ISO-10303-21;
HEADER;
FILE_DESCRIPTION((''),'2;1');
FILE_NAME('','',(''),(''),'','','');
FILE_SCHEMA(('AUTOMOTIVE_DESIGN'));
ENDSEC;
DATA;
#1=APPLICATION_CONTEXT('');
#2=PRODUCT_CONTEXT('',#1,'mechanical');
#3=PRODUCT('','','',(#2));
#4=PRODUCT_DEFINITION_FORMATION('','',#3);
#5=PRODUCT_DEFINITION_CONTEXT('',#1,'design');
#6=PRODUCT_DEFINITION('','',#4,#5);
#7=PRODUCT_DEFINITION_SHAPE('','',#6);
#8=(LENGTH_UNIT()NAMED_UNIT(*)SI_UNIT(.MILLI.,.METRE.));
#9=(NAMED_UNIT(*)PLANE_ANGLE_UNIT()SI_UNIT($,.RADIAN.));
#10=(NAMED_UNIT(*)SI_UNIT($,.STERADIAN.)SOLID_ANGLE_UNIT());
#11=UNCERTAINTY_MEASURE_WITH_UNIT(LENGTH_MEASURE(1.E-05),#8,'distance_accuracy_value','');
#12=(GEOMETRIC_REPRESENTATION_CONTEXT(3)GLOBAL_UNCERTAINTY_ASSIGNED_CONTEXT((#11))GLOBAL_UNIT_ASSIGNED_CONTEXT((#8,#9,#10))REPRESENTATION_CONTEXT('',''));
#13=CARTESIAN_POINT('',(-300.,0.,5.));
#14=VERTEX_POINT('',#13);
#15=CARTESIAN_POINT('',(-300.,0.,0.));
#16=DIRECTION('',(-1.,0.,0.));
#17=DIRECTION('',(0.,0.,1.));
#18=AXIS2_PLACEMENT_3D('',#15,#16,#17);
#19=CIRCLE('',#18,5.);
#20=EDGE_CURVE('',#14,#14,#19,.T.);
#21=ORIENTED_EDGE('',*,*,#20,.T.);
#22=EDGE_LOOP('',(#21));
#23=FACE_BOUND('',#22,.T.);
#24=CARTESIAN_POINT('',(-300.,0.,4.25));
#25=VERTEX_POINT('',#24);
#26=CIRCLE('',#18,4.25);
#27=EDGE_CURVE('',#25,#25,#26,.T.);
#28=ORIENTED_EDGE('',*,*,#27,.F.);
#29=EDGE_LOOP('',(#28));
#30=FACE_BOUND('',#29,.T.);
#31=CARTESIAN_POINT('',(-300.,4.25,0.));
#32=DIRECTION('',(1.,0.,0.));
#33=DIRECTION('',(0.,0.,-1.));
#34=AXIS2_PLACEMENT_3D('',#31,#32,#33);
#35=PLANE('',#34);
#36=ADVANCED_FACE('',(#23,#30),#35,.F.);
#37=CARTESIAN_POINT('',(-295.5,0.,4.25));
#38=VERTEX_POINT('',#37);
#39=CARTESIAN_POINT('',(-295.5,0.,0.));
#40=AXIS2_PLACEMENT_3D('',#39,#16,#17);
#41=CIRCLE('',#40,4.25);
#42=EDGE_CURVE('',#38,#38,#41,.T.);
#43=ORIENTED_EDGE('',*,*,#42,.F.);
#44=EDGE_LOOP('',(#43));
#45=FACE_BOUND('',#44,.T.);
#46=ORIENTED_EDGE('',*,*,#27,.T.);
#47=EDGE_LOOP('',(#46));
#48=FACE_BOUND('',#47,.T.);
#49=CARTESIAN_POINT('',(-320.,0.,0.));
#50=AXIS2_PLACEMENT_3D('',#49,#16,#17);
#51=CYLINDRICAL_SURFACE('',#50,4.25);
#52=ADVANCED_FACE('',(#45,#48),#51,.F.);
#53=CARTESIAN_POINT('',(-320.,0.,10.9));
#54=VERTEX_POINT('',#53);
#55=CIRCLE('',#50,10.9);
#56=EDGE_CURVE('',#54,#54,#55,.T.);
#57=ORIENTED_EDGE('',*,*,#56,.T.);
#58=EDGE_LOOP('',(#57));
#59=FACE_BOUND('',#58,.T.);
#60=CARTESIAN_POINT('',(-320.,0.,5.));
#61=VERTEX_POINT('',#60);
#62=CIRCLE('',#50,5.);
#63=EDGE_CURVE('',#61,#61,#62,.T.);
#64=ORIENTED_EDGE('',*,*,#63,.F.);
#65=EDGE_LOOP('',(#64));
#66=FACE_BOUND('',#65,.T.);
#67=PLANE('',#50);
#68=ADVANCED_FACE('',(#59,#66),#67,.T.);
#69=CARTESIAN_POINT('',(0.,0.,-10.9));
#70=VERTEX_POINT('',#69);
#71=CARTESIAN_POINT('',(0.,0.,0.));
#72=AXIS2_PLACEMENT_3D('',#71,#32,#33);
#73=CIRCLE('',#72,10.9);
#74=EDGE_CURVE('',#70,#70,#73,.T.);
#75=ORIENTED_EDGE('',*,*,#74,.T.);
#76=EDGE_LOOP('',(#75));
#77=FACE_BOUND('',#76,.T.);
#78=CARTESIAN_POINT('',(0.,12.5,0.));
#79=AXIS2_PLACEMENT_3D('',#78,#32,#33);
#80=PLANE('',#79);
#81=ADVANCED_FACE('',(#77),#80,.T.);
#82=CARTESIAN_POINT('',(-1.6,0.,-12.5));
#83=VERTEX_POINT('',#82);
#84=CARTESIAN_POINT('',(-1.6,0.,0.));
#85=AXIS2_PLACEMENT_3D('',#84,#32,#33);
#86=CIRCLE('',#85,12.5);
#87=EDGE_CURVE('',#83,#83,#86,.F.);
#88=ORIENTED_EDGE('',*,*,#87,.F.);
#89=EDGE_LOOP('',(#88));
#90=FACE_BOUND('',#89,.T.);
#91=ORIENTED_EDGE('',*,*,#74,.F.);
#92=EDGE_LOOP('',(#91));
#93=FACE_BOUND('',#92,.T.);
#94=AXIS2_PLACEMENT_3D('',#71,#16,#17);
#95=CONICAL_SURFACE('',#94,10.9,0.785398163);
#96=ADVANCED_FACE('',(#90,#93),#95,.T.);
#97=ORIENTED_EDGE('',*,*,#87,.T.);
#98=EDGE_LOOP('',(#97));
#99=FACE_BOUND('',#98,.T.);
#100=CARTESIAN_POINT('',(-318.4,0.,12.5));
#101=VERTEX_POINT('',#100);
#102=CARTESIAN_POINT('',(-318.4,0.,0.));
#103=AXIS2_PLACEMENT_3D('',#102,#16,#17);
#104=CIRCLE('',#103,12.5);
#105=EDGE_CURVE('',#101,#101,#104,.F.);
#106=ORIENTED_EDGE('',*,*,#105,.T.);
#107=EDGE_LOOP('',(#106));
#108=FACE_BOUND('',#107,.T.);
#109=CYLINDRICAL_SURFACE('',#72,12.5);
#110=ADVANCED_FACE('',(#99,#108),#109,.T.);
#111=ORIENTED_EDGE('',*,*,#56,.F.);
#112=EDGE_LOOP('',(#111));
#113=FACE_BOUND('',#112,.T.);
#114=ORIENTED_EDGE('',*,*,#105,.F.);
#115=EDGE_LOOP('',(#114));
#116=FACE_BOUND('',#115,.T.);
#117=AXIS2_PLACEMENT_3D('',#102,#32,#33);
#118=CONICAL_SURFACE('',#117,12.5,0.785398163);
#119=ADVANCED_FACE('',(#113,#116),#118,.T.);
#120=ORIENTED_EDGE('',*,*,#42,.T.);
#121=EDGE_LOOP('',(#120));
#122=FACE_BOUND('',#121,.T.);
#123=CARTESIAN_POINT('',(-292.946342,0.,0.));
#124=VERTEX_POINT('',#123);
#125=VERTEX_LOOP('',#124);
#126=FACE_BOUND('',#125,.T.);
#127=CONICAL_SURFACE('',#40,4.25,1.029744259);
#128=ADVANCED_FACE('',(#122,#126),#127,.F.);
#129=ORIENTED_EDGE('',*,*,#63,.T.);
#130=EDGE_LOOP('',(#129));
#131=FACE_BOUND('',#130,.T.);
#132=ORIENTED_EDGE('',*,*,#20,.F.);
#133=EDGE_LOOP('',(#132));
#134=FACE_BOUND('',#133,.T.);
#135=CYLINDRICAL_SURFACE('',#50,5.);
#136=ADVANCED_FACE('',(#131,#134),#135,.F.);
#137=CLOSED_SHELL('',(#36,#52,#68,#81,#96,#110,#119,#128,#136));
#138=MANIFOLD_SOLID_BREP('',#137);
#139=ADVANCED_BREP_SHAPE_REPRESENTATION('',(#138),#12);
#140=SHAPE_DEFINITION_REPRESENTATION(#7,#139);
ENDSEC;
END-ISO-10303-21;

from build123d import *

# Parameters (mm, degrees)
SKETCH1_W                    = 320
SKETCH1_H                    = 12.5
CHAMFER1_SIZE                = 1.6
M10_TAPPED_HOLE1_D           = 8.5
M10_TAPPED_HOLE1_DEPTH       = 24.5
M10_TAPPED_HOLE1_CBORE_D     = 10
M10_TAPPED_HOLE1_CBORE_DEPTH = 20
M10_TAPPED_HOLE1_TIP         = 2.553657631


with BuildPart() as part:
    # Sketch1 → Revolve1 (revolve)
    with BuildSketch(Plane.XY, mode=Mode.PRIVATE) as revolve1_sk:
        with Locations((-160, 6.25)):
            Rectangle(SKETCH1_W, SKETCH1_H)
    revolve(revolve1_sk.sketch.rotate(Axis((0, 0, 0), (-1, 0, 0)), 90), axis=Axis((0, 0, 0), (-1, 0, 0)))

    # Chamfer1
    chamfer1_edges = [part.edges().sort_by_distance(p)[0] for p in [
        (-320, 0, 12.5),
        (0, 0, 12.5),
    ]]
    chamfer(chamfer1_edges, length=CHAMFER1_SIZE)

    # M10 Tapped Hole1
    with Locations(Plane.ZY.offset(320)):
        with Locations((0, 0)):
            CounterBoreHole(M10_TAPPED_HOLE1_D / 2, M10_TAPPED_HOLE1_CBORE_D / 2, M10_TAPPED_HOLE1_CBORE_DEPTH, depth=M10_TAPPED_HOLE1_DEPTH)
            with Locations((0, 0, -(M10_TAPPED_HOLE1_DEPTH + M10_TAPPED_HOLE1_TIP / 2))):  # 118° drill point
                Cone(0, M10_TAPPED_HOLE1_D / 2, M10_TAPPED_HOLE1_TIP, mode=Mode.SUBTRACT)


solid = part.part
